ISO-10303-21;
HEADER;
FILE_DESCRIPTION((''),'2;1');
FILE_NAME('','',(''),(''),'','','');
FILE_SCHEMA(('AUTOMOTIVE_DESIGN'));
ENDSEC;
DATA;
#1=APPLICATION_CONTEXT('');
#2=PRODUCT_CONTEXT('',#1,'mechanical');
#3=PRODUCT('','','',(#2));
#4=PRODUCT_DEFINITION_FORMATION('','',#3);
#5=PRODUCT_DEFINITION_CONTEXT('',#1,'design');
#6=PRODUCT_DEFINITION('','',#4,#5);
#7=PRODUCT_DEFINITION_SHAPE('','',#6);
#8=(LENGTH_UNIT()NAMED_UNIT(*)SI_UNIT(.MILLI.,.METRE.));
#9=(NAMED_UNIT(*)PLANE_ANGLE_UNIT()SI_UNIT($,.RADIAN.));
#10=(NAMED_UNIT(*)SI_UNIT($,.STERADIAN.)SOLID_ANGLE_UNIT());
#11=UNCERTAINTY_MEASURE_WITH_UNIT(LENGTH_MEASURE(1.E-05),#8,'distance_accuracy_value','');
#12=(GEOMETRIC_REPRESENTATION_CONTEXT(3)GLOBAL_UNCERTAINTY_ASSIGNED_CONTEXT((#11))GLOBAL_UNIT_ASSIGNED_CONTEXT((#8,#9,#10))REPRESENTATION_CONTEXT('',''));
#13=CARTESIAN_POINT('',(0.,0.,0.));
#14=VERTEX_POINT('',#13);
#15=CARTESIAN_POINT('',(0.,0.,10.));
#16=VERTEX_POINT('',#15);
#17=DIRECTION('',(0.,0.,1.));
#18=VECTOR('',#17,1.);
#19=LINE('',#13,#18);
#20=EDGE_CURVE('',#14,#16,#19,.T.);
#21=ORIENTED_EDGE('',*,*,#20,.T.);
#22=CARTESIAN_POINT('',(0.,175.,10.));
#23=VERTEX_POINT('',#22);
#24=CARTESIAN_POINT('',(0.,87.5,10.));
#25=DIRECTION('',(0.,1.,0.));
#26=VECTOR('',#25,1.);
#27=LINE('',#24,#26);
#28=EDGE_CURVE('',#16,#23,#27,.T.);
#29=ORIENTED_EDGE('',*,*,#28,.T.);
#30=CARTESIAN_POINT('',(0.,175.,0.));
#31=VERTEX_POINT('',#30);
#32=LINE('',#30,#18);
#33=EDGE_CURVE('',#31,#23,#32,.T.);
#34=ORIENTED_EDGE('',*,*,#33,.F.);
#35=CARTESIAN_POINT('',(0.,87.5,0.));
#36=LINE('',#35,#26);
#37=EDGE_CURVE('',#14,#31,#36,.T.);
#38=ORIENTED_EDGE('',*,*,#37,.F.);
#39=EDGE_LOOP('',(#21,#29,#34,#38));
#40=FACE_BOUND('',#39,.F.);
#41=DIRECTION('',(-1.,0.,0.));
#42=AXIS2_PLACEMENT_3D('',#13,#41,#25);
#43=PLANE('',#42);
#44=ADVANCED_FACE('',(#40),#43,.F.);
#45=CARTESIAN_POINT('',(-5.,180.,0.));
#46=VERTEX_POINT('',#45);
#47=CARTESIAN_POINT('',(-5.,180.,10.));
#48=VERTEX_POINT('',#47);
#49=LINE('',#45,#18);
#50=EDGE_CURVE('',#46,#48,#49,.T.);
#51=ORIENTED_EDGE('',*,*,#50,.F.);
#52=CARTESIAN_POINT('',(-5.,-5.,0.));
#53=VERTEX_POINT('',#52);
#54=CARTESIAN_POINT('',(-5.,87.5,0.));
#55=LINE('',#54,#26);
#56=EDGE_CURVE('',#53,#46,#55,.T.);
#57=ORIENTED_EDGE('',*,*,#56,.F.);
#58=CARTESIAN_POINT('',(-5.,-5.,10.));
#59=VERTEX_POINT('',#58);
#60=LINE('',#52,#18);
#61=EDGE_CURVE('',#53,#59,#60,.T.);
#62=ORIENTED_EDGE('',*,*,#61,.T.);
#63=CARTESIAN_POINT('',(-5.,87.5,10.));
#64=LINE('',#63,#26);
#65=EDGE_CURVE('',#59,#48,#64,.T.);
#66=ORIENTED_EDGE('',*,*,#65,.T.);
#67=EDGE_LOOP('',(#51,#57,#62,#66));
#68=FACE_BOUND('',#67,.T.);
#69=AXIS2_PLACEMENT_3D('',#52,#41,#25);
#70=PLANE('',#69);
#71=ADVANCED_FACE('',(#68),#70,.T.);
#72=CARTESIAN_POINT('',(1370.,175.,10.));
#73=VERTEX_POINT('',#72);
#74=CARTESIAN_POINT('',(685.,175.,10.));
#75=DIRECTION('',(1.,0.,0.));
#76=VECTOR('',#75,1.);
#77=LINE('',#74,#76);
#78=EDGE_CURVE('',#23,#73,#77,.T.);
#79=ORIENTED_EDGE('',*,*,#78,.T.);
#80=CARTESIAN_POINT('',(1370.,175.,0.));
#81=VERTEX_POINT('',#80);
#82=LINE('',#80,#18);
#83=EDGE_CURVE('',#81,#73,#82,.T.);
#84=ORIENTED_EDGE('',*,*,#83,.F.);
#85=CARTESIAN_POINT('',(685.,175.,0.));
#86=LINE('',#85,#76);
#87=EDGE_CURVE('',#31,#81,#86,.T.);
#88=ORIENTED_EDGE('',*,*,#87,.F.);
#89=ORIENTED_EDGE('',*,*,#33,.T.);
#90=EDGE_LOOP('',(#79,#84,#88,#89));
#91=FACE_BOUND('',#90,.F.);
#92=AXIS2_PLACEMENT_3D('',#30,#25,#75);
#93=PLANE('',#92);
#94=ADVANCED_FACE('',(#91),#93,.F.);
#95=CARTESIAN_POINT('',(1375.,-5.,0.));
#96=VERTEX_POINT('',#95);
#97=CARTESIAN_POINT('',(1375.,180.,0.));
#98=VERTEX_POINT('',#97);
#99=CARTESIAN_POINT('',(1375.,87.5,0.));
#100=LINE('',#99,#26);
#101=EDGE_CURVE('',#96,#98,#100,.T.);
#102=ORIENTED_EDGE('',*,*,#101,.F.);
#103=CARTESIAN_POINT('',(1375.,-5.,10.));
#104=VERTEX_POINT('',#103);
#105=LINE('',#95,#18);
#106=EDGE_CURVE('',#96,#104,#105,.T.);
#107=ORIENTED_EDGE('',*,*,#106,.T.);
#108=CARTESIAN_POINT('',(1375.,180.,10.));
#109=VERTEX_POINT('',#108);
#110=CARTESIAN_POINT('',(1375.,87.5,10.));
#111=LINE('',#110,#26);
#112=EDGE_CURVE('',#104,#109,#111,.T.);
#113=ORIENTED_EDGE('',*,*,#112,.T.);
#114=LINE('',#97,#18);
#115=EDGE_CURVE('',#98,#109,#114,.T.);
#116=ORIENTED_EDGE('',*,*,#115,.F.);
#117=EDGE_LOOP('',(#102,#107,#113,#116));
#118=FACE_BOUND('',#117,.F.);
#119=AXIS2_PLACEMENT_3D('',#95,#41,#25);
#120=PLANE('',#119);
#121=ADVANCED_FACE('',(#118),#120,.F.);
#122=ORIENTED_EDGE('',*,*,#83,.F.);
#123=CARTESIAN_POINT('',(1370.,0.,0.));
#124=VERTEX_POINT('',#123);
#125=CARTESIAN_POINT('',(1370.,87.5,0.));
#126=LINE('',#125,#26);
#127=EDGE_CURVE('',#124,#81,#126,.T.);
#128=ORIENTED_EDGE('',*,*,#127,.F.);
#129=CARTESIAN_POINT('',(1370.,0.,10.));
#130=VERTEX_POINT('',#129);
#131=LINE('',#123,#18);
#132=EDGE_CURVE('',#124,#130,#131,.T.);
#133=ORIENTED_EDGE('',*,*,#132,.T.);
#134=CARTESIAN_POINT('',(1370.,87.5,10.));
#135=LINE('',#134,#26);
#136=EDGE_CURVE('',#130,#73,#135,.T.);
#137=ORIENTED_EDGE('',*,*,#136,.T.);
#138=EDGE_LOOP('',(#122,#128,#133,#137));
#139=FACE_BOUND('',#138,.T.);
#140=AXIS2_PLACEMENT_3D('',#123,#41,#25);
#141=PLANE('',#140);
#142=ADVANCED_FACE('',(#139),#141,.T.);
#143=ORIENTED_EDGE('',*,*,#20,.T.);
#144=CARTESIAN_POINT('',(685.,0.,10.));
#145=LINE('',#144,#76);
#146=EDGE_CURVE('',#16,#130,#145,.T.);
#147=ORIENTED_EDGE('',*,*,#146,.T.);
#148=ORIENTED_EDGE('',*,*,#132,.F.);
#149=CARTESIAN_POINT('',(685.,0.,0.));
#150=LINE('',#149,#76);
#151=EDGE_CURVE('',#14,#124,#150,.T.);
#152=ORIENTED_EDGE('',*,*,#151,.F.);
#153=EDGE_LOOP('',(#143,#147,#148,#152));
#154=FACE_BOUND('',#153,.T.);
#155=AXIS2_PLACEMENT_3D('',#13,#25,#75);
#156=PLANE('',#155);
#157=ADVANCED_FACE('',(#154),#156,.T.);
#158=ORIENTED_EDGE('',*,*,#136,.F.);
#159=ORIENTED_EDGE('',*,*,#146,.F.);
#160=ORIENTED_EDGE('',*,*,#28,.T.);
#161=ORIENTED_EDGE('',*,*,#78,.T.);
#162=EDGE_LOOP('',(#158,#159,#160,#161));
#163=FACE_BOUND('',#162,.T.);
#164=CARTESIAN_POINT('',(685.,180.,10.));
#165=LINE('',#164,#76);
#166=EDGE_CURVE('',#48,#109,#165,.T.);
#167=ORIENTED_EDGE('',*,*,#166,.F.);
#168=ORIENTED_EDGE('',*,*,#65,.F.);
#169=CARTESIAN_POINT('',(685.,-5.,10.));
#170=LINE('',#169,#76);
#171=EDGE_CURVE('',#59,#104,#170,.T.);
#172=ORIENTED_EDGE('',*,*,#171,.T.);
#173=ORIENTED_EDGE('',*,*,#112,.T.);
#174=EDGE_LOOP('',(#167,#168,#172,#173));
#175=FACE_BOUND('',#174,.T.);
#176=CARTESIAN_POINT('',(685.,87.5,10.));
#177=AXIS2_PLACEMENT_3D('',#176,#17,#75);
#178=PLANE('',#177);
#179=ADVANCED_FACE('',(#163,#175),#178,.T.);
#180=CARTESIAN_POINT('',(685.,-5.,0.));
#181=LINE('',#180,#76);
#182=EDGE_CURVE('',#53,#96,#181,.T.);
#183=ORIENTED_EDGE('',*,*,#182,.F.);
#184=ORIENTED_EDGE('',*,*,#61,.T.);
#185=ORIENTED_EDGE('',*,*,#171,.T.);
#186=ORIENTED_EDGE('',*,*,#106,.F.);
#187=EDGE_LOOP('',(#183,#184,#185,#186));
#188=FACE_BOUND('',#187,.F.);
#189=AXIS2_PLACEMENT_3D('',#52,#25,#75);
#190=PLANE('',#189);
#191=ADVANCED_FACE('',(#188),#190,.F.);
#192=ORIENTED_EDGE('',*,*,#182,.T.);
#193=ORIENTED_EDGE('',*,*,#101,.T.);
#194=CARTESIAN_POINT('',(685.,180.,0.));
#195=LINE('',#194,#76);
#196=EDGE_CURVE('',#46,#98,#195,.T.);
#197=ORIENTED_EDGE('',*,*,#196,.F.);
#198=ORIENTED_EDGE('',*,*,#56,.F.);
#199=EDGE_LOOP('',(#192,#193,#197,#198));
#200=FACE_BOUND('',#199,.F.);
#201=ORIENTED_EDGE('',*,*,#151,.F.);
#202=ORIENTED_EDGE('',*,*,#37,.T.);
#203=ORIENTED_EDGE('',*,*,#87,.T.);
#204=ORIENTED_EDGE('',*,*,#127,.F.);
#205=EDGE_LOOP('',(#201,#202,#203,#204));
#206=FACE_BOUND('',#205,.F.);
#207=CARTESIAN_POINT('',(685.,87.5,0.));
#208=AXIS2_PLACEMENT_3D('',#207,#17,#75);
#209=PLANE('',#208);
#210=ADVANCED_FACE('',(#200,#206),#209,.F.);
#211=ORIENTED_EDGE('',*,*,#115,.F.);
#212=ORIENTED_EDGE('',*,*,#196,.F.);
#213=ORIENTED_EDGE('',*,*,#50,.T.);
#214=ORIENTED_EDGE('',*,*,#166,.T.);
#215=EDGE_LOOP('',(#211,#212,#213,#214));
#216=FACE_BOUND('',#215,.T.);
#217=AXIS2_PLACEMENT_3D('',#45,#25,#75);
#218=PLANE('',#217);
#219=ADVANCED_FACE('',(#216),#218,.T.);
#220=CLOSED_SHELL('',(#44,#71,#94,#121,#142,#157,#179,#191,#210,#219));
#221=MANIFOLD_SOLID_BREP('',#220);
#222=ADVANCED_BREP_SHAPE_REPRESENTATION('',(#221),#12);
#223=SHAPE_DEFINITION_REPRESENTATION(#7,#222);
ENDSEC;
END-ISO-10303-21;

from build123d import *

# Parameters (mm, degrees)
SKETCH_W   = 1380
SKETCH_H   = 185
SKETCH_W_2 = 1370
SKETCH_H_2 = 175
PAD_DEPTH  = 10


with BuildPart() as part:
    # Sketch → Pad (new body)
    with BuildSketch(Plane.XY):
        with Locations((685, 87.5)):
            Rectangle(SKETCH_W, SKETCH_H)
        with Locations((685, 87.5)):
            Rectangle(SKETCH_W_2, SKETCH_H_2, mode=Mode.SUBTRACT)
    extrude(amount=PAD_DEPTH)


solid = part.part
